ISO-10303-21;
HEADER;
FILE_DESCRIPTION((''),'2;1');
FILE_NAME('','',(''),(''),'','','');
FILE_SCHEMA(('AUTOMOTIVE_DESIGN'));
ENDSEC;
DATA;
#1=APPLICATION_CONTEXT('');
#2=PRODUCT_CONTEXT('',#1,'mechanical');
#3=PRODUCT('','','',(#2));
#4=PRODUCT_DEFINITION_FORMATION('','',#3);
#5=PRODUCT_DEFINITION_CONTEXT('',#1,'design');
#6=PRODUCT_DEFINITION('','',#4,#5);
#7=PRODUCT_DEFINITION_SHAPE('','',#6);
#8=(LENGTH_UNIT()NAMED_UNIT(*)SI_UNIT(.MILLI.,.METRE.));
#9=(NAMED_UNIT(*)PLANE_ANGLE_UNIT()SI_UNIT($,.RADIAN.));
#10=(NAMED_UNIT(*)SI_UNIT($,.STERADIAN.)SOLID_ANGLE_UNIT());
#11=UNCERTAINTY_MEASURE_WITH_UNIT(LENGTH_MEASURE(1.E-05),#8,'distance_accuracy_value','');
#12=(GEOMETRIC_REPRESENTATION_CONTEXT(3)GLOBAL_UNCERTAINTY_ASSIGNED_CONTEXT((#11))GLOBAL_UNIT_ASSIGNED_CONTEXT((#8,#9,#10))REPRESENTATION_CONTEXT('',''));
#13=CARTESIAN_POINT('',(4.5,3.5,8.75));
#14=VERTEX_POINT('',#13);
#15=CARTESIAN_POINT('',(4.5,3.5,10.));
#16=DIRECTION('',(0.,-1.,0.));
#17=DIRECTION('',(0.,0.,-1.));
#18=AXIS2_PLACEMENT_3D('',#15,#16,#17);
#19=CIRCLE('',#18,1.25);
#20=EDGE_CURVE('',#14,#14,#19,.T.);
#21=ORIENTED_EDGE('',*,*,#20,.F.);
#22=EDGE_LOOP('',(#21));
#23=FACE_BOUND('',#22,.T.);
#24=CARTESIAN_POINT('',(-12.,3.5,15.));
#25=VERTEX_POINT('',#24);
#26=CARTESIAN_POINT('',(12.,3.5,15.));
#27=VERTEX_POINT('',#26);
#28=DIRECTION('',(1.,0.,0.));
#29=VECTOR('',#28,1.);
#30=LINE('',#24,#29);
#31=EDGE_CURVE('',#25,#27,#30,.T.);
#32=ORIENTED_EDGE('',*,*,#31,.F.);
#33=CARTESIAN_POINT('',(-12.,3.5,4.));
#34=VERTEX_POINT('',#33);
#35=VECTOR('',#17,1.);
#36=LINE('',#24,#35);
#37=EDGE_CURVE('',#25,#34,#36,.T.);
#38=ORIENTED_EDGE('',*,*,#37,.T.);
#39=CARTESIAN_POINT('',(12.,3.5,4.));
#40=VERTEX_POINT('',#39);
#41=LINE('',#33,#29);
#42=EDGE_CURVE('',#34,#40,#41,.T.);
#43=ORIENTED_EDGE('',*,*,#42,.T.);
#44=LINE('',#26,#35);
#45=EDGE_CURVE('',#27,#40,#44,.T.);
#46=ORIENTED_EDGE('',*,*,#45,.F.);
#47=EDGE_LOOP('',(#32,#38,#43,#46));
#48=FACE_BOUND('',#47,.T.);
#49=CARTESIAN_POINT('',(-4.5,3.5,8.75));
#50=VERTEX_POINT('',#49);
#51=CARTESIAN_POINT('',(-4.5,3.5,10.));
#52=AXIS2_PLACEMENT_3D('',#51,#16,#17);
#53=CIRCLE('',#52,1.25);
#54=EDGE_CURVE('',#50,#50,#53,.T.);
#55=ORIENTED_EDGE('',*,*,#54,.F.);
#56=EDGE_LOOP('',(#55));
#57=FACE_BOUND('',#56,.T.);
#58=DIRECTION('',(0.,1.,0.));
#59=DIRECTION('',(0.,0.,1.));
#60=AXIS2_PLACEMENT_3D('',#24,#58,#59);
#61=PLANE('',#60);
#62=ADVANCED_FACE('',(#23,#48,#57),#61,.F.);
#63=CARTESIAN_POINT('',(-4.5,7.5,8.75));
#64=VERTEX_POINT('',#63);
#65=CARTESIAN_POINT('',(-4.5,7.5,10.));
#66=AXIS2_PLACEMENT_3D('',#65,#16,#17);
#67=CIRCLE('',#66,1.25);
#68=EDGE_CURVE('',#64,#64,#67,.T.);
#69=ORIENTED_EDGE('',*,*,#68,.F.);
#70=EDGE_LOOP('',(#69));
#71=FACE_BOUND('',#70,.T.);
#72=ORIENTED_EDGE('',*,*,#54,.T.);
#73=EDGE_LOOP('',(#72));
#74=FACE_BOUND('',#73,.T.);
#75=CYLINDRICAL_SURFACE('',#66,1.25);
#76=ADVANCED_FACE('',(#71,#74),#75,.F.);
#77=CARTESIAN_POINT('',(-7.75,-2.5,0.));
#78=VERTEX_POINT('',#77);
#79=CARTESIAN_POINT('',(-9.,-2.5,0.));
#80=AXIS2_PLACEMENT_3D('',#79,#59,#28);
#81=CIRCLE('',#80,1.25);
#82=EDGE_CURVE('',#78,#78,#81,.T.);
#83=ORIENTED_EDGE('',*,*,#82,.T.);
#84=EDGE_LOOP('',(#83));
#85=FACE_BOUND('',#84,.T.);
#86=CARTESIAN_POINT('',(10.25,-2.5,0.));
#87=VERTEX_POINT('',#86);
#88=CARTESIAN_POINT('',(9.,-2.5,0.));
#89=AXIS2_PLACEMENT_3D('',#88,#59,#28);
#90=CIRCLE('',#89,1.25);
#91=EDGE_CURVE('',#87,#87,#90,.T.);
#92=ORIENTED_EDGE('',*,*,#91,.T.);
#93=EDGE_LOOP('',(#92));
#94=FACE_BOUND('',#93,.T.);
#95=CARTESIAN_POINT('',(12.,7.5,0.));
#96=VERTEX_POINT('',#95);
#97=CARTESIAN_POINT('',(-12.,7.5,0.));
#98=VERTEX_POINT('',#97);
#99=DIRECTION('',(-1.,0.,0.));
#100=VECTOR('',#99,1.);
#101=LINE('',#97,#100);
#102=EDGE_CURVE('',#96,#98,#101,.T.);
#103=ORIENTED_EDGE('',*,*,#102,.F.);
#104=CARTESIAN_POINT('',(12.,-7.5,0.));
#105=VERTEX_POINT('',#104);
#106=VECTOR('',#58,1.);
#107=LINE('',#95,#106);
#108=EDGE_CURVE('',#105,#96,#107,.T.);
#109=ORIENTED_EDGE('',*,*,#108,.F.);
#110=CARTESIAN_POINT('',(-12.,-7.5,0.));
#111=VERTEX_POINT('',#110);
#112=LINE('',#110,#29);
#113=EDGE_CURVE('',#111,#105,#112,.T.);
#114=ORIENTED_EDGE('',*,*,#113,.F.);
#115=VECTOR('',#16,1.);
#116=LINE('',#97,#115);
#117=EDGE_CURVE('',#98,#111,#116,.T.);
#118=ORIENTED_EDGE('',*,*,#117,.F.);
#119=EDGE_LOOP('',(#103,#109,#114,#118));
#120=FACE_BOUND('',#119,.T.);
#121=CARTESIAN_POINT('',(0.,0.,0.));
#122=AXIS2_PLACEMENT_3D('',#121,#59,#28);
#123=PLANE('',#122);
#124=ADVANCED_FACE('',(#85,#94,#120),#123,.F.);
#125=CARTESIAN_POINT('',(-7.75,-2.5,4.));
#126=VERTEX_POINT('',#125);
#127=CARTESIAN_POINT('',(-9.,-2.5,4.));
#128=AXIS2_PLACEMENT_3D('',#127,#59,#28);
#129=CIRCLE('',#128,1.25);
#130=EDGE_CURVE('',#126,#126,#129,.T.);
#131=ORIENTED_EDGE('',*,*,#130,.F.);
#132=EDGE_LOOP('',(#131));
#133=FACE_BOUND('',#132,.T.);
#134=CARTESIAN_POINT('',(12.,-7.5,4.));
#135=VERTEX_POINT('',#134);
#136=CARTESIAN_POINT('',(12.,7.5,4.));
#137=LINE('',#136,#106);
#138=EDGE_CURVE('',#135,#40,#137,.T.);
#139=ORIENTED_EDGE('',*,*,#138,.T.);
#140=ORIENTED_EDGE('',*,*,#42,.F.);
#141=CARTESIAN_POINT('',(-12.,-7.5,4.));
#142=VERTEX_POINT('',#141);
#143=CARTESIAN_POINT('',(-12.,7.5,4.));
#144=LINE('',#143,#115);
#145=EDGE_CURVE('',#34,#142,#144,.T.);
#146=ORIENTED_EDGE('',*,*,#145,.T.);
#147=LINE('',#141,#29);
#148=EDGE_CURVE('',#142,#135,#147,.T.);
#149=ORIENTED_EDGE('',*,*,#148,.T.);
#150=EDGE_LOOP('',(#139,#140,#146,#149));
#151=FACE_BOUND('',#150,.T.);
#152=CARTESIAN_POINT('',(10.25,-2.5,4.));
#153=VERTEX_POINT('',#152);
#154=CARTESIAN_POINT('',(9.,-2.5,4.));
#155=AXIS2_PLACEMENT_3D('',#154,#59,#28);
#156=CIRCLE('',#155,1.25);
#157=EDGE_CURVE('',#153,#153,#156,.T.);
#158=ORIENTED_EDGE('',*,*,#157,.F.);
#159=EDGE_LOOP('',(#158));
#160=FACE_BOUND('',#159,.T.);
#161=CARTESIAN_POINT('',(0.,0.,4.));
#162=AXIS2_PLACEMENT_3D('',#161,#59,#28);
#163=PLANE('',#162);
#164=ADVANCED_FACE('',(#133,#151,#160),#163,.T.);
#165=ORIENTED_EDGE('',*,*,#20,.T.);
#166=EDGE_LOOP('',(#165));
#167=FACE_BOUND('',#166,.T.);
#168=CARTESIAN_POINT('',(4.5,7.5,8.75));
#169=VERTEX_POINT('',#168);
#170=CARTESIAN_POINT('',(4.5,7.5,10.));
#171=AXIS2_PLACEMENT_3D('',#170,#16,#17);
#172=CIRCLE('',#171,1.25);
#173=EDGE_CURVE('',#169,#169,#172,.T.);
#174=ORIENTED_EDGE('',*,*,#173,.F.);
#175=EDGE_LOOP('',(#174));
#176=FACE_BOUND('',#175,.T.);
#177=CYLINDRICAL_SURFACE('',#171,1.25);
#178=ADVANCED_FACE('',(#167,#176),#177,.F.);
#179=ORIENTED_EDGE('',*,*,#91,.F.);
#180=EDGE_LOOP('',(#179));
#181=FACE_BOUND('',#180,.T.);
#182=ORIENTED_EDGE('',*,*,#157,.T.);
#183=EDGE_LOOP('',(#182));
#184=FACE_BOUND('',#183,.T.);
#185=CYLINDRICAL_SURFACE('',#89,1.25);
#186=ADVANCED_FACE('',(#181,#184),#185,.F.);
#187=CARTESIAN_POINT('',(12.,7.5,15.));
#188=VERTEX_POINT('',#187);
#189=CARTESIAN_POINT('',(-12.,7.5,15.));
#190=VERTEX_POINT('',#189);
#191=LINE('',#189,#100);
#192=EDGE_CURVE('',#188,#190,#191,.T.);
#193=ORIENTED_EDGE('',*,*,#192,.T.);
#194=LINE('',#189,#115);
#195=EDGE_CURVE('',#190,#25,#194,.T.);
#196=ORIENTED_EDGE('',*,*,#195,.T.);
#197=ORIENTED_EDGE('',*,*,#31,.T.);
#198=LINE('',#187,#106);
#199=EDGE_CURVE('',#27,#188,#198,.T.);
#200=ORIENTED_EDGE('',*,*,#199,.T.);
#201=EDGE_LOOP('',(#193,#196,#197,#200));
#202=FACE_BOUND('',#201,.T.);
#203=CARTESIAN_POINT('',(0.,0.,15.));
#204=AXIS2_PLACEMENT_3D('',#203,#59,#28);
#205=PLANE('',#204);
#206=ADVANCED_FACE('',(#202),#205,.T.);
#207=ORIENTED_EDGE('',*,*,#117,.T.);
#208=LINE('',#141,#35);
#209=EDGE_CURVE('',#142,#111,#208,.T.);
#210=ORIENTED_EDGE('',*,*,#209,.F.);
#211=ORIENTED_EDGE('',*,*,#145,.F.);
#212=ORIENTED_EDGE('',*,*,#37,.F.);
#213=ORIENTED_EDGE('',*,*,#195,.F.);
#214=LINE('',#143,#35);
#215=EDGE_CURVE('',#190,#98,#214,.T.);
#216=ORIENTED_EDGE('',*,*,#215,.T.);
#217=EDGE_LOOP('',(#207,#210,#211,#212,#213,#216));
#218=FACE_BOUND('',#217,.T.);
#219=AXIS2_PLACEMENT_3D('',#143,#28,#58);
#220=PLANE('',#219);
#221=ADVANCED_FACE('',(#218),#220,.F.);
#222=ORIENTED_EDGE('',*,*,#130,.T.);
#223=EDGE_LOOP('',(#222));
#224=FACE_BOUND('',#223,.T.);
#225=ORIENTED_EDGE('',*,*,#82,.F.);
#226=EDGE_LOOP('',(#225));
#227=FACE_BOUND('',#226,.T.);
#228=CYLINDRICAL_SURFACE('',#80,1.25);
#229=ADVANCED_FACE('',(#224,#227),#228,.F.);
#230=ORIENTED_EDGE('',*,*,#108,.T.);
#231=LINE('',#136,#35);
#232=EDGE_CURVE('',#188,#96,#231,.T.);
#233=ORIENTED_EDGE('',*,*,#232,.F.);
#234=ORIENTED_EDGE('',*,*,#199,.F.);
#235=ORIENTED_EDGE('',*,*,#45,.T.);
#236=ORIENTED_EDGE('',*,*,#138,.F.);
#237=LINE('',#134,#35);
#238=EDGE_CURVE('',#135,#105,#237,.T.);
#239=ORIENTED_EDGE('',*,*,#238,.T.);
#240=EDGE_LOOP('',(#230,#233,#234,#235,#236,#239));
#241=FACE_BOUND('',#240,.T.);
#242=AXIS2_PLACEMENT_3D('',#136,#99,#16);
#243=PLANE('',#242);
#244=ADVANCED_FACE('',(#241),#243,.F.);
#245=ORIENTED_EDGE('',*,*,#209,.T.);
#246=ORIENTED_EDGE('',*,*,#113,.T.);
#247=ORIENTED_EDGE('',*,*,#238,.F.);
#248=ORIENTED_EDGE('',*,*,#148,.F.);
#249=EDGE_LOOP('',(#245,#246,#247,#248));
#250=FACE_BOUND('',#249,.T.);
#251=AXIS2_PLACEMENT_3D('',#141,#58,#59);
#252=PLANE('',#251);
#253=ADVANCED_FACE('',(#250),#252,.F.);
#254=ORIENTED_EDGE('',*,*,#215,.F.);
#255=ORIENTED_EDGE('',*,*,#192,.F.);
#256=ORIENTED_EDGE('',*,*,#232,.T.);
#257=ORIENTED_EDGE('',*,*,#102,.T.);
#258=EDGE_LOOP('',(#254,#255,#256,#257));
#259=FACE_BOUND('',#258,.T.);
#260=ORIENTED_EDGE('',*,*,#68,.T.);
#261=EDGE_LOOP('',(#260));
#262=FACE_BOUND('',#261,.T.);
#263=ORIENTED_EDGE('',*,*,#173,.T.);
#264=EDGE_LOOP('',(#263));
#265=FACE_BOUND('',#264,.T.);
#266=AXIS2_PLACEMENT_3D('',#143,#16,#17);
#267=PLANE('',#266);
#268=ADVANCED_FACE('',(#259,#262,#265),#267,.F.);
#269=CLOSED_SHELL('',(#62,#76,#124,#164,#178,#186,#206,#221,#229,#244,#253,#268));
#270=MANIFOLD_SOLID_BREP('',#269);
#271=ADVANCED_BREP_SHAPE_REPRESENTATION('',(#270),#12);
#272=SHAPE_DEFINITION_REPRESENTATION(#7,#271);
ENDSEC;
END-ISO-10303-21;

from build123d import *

# Parameters (mm, degrees)
SKETCH_1_W          = 24
SKETCH_1_H          = 15
EXTRUDE_1_DEPTH     = 4
SKETCH_2_W          = 24
SKETCH_2_H          = 4
EXTRUDE_2_DEPTH     = 11
SKETCH_3_R          = 1.25
CUT_EXTRUDE_1_DEPTH = 5
SKETCH_4_R          = 1.25
CUT_EXTRUDE_2_DEPTH = 5


with BuildPart() as part:
    # 草图1 → 凸台-拉伸1 (new body)
    with BuildSketch(Plane.XY):
        Rectangle(SKETCH_1_W, SKETCH_1_H)
    extrude(amount=EXTRUDE_1_DEPTH)

    # 草图2 → 凸台-拉伸2 (add)
    with BuildSketch(Plane.XY.offset(4)):
        with Locations((0, 5.5)):
            Rectangle(SKETCH_2_W, SKETCH_2_H)
    extrude(amount=EXTRUDE_2_DEPTH)

    # 草图3 → 切除-拉伸1 (cut, through all)
    with BuildSketch(Plane.XY.offset(4)):
        with Locations((-9, -2.5)):
            Circle(SKETCH_3_R)
        with Locations((9, -2.5)):
            Circle(SKETCH_3_R)
    extrude(amount=-CUT_EXTRUDE_1_DEPTH, mode=Mode.SUBTRACT)

    # 草图4 → 切除-拉伸2 (cut, through all)
    with BuildSketch(Plane.XZ.offset(-3.5)):
        with Locations((-4.5, 10)):
            Circle(SKETCH_4_R)
        with Locations((4.5, 10)):
            Circle(SKETCH_4_R)
    extrude(amount=-CUT_EXTRUDE_2_DEPTH, mode=Mode.SUBTRACT)


solid = part.part
